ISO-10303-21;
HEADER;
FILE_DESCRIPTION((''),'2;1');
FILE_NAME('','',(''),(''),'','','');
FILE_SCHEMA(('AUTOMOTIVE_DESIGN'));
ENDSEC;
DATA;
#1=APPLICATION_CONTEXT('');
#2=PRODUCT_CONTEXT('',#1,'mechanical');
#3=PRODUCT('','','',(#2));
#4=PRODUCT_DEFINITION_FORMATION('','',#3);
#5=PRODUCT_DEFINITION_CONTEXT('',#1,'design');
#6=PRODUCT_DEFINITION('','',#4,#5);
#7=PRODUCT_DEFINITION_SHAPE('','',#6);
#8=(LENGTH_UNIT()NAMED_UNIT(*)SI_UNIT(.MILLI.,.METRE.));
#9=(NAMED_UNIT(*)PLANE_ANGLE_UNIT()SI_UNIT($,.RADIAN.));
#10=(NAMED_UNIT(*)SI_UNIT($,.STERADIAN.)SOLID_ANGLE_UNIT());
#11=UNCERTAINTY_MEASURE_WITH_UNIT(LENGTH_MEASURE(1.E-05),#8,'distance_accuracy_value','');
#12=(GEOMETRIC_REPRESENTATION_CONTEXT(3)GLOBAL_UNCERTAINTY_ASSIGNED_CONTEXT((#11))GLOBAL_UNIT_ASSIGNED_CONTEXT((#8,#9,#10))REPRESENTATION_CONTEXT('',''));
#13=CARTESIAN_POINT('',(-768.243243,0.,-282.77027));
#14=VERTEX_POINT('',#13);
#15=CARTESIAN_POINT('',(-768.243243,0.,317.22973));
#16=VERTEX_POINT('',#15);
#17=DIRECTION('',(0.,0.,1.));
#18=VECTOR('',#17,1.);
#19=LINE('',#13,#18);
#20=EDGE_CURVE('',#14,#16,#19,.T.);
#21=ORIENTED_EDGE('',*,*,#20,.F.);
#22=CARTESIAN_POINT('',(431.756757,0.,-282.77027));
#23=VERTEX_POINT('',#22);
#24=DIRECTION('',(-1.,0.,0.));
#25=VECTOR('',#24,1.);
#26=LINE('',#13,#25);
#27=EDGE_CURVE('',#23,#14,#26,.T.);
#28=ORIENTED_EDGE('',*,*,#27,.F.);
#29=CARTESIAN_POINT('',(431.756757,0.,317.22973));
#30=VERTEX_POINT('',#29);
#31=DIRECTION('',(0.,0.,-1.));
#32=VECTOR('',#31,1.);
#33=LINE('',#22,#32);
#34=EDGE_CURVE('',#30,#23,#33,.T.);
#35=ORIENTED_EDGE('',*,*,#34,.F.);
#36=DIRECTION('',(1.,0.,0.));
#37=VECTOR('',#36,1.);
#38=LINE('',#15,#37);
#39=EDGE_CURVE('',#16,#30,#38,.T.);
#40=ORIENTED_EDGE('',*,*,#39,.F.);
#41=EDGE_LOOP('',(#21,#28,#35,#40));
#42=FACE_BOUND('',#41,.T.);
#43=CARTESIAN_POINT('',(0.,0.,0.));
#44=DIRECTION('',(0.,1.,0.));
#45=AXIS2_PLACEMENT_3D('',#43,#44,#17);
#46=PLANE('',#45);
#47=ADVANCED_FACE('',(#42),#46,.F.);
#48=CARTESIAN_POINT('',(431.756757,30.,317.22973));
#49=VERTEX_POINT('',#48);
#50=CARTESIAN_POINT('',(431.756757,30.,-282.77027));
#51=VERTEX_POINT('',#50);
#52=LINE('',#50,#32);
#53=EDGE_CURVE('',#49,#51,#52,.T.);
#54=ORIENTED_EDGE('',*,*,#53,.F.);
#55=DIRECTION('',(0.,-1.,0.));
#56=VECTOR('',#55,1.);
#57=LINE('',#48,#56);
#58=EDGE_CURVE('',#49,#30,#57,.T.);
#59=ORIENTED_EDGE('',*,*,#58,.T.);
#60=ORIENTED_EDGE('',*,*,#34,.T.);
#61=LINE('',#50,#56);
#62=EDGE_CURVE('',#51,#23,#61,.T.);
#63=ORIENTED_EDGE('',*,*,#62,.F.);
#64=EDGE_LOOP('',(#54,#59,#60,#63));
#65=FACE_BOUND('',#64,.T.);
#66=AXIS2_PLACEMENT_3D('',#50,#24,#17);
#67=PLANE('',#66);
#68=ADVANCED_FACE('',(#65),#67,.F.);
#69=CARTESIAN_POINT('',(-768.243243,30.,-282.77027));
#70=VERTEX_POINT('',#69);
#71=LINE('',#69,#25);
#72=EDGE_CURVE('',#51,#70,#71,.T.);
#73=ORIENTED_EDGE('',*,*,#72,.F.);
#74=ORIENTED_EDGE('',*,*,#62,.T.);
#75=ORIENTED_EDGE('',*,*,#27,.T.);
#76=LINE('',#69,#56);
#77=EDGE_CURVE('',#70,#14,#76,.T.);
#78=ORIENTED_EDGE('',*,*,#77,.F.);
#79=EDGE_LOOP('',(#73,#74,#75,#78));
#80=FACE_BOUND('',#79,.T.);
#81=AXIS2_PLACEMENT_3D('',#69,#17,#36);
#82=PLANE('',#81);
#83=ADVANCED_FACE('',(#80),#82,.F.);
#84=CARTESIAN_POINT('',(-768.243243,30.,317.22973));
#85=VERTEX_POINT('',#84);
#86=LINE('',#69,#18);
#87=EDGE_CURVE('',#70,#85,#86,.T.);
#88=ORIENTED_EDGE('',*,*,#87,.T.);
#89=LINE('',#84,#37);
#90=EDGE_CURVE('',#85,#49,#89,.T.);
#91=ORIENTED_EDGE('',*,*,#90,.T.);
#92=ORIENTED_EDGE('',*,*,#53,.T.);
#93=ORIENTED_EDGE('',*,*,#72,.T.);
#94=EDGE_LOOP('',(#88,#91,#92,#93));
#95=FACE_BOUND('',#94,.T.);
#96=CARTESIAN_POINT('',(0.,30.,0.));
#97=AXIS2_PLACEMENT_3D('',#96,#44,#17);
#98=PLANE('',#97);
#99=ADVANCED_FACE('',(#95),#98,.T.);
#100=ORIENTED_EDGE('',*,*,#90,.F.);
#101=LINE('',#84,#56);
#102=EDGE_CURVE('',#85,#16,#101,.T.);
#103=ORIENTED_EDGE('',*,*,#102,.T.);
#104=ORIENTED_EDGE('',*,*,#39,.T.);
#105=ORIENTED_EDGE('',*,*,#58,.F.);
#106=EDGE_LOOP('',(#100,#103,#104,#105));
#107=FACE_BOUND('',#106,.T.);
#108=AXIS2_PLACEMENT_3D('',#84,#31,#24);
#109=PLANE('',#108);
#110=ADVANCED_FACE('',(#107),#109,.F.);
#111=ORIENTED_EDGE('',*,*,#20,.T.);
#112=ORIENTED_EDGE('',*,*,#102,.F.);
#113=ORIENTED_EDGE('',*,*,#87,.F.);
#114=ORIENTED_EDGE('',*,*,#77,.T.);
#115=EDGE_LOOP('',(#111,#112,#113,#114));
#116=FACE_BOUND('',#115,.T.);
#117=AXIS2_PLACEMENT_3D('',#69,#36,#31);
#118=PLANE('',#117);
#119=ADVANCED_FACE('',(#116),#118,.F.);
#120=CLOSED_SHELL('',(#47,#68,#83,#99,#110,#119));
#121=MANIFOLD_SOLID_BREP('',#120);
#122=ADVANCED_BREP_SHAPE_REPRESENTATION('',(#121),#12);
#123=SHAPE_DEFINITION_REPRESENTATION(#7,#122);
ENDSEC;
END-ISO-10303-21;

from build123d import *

# Parameters (mm, degrees)
SKETCH1_W           = 1200
SKETCH1_H           = 600
BOSS_EXTRUDE1_DEPTH = 30


with BuildPart() as part:
    # Sketch1 → Boss-Extrude1 (new body)
    with BuildSketch(Plane(origin=(0, 0, 0), x_dir=(1, 0, 0), z_dir=(0, 1, 0))):
        with Locations((-168.243243243, -17.22972973)):
            Rectangle(SKETCH1_W, SKETCH1_H)
    extrude(amount=BOSS_EXTRUDE1_DEPTH)


solid = part.part
